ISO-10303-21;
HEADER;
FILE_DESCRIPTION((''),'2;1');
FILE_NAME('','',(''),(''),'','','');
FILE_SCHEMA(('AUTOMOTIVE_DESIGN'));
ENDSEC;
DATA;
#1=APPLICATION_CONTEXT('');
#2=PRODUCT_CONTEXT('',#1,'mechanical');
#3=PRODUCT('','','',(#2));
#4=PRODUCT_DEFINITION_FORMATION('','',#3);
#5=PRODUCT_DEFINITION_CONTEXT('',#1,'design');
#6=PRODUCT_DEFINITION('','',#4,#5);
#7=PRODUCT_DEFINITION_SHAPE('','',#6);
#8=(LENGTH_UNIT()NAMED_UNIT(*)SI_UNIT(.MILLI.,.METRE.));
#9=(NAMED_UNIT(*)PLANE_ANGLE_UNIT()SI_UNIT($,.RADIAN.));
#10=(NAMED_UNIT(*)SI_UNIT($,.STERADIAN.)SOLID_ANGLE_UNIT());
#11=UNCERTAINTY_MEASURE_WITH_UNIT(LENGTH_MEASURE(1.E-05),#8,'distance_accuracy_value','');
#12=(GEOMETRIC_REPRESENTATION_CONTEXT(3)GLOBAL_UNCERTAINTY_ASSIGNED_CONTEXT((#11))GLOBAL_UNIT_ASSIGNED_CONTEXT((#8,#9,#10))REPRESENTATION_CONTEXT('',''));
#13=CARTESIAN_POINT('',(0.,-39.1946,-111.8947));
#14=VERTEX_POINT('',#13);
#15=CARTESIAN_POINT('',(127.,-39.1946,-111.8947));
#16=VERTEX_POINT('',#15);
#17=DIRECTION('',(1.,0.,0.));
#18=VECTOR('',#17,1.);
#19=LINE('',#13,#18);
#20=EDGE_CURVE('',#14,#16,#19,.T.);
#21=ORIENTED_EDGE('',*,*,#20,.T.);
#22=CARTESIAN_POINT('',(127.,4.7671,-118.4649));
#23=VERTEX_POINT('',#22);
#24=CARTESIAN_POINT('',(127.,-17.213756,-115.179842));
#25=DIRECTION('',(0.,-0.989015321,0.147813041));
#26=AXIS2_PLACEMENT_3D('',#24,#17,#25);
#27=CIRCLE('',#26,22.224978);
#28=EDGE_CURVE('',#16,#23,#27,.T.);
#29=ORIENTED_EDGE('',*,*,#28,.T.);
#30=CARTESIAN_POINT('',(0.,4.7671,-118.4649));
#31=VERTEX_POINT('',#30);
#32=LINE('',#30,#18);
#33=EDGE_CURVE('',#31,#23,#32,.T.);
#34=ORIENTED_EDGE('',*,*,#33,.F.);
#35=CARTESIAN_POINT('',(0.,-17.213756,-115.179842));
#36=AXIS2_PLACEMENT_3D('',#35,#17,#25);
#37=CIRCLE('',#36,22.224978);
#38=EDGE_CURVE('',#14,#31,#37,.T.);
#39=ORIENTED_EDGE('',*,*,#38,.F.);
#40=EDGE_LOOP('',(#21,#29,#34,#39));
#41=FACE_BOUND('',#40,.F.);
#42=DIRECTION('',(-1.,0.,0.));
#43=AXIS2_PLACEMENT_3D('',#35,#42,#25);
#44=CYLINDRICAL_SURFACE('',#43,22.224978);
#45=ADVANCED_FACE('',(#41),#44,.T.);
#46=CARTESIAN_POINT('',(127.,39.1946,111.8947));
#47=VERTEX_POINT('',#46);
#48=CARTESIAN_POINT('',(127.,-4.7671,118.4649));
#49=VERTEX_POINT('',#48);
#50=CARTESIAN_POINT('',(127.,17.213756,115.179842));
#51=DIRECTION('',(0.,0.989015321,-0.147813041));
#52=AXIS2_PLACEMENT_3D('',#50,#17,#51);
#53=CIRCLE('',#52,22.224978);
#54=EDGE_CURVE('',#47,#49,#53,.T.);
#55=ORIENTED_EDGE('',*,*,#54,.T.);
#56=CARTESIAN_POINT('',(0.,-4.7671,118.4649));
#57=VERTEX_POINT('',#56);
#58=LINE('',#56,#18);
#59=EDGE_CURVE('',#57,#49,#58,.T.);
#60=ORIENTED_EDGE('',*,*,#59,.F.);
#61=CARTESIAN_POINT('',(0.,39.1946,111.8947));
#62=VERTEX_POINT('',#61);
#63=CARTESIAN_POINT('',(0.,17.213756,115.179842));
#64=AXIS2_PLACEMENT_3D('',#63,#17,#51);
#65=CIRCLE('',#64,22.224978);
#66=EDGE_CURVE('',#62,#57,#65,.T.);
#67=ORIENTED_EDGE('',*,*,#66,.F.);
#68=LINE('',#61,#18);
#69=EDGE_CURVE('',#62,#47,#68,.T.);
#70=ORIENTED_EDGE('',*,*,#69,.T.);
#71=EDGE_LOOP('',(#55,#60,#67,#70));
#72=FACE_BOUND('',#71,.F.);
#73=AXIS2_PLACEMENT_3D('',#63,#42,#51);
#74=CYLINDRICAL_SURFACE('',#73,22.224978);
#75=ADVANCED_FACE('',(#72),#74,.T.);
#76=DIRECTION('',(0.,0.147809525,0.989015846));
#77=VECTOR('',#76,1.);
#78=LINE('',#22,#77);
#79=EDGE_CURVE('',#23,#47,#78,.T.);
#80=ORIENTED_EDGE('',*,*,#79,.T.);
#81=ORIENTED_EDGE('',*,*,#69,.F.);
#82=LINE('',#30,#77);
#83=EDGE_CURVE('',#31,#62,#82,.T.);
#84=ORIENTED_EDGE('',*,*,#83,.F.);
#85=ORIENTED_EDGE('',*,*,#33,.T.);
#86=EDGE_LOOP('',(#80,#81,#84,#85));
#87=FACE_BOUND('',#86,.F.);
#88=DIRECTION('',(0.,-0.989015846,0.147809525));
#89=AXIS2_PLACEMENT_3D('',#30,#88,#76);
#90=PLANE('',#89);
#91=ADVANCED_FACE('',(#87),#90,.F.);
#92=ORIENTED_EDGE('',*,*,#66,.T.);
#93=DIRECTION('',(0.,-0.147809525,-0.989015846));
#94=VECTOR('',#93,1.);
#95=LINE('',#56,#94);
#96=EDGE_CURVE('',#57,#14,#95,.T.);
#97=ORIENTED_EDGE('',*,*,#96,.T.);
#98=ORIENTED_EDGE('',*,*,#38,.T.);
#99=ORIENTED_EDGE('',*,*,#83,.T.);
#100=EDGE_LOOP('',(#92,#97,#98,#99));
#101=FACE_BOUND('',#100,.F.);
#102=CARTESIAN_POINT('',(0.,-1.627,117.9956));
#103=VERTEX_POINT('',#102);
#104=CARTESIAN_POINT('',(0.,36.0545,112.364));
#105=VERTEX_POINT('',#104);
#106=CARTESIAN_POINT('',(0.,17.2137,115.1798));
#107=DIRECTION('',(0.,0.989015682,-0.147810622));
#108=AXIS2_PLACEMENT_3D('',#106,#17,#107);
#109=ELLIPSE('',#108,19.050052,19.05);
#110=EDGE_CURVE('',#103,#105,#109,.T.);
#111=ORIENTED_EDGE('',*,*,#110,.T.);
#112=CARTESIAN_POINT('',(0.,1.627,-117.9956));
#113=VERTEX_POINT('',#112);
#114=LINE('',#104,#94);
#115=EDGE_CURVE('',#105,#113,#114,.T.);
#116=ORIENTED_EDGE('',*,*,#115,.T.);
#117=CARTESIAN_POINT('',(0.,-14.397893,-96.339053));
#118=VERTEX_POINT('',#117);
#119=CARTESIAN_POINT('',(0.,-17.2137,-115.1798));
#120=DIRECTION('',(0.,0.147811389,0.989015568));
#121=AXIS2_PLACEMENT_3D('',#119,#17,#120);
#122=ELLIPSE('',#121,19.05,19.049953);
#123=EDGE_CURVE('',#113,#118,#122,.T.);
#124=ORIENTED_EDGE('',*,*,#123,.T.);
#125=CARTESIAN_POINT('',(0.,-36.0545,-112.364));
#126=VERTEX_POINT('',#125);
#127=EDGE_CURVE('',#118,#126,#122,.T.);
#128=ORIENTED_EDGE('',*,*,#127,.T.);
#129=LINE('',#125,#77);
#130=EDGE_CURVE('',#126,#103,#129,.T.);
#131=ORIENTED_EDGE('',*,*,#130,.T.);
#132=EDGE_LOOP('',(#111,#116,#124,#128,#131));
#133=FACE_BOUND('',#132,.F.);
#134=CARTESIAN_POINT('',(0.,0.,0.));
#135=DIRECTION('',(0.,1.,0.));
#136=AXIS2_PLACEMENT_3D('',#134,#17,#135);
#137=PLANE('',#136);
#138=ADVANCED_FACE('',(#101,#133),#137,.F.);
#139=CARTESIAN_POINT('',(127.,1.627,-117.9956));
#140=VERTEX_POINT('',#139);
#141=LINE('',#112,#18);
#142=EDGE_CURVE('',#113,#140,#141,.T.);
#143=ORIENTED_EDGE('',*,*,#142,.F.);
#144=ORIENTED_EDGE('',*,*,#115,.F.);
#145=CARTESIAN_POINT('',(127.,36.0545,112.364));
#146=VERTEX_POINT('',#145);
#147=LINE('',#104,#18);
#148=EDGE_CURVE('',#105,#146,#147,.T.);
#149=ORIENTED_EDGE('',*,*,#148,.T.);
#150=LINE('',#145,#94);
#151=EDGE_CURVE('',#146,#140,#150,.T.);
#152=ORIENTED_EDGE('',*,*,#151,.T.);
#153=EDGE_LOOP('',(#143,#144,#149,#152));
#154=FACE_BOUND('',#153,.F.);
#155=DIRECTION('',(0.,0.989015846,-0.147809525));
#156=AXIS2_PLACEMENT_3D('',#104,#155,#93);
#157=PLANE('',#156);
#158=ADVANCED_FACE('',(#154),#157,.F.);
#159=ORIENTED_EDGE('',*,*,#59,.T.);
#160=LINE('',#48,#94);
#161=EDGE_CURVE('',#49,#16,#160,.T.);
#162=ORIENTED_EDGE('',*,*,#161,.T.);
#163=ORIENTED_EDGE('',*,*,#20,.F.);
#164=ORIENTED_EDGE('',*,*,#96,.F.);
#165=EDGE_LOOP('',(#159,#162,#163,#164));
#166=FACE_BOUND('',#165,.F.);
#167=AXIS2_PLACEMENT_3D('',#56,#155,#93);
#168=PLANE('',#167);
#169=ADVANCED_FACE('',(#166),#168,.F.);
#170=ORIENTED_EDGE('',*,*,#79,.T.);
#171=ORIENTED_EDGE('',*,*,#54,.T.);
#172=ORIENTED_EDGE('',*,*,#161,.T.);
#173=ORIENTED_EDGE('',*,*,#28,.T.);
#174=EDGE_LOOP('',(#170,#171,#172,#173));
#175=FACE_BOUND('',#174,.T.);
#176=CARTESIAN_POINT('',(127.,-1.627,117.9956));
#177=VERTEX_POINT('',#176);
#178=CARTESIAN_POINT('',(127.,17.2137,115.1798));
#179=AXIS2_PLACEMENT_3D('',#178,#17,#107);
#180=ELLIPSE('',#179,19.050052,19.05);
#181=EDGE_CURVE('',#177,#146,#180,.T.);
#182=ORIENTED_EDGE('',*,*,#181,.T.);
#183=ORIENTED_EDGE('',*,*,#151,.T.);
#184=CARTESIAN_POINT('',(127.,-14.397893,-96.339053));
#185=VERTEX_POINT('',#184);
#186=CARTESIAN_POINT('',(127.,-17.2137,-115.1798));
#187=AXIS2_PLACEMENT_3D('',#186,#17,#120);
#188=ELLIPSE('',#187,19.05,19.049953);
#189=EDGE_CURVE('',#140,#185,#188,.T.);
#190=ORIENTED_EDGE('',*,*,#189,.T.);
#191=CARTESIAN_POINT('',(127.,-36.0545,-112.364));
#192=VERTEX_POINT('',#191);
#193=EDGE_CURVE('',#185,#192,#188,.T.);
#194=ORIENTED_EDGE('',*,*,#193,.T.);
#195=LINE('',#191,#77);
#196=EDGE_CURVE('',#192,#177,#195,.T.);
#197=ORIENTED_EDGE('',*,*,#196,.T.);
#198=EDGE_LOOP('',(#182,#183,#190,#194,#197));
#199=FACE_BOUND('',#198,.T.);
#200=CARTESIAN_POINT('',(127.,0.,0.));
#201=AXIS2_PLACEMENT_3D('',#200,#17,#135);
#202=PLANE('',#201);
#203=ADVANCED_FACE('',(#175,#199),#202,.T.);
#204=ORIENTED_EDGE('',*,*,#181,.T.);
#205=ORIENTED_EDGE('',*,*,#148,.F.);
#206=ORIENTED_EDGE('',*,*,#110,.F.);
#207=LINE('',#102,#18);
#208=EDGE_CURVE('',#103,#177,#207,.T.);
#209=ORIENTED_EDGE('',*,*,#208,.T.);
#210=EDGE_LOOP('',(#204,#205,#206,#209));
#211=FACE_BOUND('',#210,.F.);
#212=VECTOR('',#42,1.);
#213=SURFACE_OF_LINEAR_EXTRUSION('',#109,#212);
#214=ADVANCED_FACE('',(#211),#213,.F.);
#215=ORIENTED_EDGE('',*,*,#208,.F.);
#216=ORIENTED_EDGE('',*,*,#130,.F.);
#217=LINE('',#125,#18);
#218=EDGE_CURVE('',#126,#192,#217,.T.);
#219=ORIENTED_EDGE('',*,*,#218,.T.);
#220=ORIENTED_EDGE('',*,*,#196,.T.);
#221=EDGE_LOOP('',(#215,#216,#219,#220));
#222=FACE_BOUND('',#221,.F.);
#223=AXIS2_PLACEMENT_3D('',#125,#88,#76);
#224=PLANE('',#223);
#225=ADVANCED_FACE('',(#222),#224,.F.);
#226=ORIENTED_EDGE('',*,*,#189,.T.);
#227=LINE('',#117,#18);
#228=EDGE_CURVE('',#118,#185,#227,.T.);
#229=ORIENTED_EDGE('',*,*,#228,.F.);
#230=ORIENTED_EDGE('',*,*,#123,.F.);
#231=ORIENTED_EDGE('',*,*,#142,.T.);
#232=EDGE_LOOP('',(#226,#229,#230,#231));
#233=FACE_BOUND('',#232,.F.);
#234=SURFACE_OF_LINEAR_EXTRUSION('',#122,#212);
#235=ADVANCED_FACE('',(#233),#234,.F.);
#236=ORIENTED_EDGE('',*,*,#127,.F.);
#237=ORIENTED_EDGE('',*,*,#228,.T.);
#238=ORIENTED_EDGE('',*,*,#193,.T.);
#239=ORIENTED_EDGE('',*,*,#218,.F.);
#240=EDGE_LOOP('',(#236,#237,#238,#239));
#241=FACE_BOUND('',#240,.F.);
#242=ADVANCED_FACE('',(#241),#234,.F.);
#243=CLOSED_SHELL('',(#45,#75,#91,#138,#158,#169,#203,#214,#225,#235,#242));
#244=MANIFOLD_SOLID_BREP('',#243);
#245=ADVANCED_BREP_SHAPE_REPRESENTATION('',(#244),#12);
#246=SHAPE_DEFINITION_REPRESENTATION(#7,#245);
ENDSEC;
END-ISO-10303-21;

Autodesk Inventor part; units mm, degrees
ref_plane "YZ Plane" through (0, 0, 0) normal (1, 0, 0) x (0, 1, 0)
ref_plane "XZ Plane" through (0, 0, 0) normal (0, 1, 0) x (-1, 0, 0)
ref_plane "XY Plane" through (0, 0, 0) normal (0, 0, 1) x (1, 0, 0)
sketch "Sketch3" plane through (0, 0, 0) normal (1, 0, 0) x (0, 1, 0)
  line L0 (17.2137, 115.1798) -> (-17.2137, -115.1798) construction
  line L1 (-4.7671, 118.4649) -> (-39.1946, -111.8947)
  line L2 (4.7671, -118.4649) -> (39.1946, 111.8947)
  arc A0 (39.1946, 111.8947) -> (-4.7671, 118.4649) centre (17.2137, 115.1798) ccw
  arc A1 (-39.1946, -111.8947) -> (4.7671, -118.4649) centre (-17.2137, -115.1798) ccw
  line L3 (0, 0) -> (232.918, 0) construction
  line L4 (36.0545, 112.364) -> (1.627, -117.9956)
  arc A2 (-36.0545, -112.364) -> (1.627, -117.9956) centre (-17.2137, -115.1798) ccw
  line L5 (-36.0545, -112.364) -> (-1.627, 117.9956)
  arc A3 (36.0545, 112.364) -> (-1.627, 117.9956) centre (17.2137, 115.1798) ccw
  ellipse E0 centre (17.2137, 115.1798) end of major axis (36.0545, 112.364) minor radius 19.05
  ellipse E1 centre (-17.2137, -115.1798) end of major axis (1.627, -117.9956) minor radius 19.05
  point P0 (-36.0545, -112.364)
  dimension "d8" = 116.459
  dimension "d9" = 98.5
  dimension "d10" = 44.45
  dimension "d11" = 3.175
extrude "Extrusion3" add sketch "Sketch3" along normal blind 127 contours A0 L2 A1 L1 | E0 A3 | A2 E1
properties part number "ShootingMech_Housing4"
